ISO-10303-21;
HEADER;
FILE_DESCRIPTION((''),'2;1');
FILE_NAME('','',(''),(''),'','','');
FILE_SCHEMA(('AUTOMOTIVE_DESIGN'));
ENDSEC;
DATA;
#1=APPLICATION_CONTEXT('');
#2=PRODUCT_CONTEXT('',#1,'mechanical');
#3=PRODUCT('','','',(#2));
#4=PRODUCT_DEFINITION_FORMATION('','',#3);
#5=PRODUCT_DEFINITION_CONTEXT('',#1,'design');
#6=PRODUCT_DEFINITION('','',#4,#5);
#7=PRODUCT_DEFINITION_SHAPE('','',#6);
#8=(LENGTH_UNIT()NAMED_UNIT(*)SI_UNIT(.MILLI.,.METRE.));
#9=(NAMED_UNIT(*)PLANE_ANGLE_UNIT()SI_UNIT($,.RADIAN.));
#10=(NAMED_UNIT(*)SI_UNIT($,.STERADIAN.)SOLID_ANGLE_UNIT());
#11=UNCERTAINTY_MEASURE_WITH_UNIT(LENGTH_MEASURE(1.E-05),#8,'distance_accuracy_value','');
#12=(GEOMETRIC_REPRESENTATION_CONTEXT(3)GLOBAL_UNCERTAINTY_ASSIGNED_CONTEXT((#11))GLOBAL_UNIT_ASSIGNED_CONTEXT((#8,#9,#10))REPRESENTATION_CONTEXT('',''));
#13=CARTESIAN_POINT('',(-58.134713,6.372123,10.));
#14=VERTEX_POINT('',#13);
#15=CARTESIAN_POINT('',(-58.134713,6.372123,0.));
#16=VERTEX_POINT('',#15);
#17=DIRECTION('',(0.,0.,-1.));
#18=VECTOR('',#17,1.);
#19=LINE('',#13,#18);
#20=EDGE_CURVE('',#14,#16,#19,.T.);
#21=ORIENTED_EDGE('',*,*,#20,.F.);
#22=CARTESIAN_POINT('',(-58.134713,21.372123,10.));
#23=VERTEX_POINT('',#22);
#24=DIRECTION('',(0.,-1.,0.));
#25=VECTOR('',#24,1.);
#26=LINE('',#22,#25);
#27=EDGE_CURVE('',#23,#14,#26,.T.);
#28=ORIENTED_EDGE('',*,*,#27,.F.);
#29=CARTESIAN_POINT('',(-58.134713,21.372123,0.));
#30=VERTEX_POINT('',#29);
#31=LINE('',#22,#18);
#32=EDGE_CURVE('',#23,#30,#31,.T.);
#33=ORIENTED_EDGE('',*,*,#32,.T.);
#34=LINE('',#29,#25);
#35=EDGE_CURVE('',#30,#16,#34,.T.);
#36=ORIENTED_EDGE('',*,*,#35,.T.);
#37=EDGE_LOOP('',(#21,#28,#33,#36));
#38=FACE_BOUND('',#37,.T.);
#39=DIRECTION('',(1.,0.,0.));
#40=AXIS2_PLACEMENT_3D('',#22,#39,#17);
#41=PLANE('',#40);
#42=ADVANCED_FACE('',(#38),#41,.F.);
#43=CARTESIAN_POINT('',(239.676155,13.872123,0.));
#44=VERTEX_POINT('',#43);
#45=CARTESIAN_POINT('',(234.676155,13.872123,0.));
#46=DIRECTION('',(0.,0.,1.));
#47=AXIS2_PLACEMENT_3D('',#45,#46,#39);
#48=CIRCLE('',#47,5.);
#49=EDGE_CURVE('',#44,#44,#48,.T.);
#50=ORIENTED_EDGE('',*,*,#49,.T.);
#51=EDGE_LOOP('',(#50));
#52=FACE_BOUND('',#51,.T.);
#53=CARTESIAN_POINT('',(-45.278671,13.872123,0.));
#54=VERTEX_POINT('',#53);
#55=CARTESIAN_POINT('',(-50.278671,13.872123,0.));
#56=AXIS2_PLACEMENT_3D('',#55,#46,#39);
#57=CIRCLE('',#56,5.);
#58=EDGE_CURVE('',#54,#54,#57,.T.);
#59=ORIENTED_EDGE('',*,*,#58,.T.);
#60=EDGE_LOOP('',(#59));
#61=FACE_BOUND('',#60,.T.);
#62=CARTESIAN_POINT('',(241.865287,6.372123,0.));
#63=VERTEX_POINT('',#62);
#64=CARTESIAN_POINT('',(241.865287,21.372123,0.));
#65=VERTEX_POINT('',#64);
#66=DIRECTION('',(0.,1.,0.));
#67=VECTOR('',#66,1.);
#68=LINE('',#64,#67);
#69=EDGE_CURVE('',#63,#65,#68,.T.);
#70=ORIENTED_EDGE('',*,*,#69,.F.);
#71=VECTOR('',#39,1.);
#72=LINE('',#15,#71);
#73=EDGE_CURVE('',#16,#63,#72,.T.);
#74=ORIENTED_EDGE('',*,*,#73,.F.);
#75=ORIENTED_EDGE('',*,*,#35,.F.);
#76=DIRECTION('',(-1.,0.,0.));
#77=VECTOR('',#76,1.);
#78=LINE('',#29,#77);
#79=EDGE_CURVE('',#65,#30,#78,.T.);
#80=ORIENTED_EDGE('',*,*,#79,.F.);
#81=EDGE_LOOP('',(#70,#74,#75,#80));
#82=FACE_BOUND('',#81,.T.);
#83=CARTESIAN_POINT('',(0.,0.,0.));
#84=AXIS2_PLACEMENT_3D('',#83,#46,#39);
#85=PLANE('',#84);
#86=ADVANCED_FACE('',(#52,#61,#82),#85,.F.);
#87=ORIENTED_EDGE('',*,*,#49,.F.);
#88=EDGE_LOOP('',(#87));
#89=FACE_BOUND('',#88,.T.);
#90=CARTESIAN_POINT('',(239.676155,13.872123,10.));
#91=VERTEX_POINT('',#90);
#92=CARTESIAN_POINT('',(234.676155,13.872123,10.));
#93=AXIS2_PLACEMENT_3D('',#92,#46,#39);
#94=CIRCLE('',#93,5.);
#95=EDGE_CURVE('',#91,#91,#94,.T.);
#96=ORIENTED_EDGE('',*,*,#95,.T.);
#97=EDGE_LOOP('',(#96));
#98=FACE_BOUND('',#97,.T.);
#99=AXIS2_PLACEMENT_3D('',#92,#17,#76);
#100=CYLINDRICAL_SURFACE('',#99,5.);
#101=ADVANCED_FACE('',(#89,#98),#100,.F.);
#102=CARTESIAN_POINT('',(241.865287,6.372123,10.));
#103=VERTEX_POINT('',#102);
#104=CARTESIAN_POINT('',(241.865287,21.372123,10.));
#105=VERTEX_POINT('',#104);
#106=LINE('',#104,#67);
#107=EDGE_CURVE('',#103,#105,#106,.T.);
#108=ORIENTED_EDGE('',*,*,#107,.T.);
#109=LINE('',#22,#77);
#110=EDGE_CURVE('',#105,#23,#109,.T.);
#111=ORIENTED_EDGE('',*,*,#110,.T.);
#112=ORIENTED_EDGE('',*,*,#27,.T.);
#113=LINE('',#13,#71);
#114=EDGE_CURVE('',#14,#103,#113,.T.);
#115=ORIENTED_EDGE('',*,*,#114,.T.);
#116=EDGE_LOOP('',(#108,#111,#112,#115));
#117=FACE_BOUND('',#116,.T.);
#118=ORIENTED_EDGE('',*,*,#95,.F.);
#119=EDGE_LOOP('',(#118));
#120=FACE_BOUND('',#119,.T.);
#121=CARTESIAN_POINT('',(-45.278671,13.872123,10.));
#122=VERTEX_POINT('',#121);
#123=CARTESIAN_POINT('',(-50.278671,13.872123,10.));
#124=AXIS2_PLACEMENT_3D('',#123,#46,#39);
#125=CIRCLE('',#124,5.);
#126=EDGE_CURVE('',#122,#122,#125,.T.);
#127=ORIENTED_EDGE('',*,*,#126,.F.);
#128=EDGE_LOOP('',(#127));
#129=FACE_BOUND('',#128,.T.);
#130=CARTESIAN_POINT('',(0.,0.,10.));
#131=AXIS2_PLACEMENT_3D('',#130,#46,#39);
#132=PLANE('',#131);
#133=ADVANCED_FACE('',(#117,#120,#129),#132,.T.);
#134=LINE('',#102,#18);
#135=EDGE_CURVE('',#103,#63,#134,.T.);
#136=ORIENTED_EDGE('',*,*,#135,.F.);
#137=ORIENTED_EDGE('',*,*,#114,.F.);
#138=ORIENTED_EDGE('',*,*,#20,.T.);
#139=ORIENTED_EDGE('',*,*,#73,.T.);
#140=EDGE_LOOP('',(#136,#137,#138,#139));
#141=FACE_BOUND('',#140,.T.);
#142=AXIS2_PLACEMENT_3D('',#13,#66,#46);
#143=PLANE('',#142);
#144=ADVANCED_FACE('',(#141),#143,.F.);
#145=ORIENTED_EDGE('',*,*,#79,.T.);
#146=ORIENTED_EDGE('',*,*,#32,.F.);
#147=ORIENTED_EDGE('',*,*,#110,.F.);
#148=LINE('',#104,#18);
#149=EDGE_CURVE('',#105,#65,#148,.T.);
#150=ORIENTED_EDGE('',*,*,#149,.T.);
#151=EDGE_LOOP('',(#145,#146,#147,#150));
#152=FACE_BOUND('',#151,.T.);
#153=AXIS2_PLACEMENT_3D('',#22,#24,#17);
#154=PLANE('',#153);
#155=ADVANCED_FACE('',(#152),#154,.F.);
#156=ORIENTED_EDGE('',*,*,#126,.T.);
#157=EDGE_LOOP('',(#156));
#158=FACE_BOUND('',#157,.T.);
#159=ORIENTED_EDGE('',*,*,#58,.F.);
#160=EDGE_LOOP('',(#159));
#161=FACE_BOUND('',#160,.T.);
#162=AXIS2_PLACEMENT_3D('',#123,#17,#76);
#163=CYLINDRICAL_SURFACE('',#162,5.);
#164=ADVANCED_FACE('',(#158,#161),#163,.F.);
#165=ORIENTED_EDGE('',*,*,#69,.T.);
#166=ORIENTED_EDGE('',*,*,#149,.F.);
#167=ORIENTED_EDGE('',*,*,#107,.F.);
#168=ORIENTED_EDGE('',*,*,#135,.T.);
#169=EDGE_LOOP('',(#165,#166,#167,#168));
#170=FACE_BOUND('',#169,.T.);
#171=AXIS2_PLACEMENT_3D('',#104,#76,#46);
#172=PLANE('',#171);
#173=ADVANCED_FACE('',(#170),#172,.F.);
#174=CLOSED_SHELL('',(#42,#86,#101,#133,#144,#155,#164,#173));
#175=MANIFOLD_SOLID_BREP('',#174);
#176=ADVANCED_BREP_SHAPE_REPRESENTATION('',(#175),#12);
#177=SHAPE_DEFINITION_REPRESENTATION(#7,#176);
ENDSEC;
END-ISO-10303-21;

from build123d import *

# Parameters (mm, degrees)
SKETCH_1_W      = 300
SKETCH_1_H      = 15
SKETCH_1_R      = 5
EXTRUDE_1_DEPTH = 10


with BuildPart() as part:
    # 草图1 → 凸台-拉伸1 (new body)
    with BuildSketch(Plane.XY):
        with Locations((91.865286977, 13.872123199)):
            Rectangle(SKETCH_1_W, SKETCH_1_H)
        with Locations((-50.278670722, 13.872123199)):
            Circle(SKETCH_1_R, mode=Mode.SUBTRACT)
        with Locations((234.676155154, 13.872123199)):
            Circle(SKETCH_1_R, mode=Mode.SUBTRACT)
    extrude(amount=EXTRUDE_1_DEPTH)


solid = part.part
